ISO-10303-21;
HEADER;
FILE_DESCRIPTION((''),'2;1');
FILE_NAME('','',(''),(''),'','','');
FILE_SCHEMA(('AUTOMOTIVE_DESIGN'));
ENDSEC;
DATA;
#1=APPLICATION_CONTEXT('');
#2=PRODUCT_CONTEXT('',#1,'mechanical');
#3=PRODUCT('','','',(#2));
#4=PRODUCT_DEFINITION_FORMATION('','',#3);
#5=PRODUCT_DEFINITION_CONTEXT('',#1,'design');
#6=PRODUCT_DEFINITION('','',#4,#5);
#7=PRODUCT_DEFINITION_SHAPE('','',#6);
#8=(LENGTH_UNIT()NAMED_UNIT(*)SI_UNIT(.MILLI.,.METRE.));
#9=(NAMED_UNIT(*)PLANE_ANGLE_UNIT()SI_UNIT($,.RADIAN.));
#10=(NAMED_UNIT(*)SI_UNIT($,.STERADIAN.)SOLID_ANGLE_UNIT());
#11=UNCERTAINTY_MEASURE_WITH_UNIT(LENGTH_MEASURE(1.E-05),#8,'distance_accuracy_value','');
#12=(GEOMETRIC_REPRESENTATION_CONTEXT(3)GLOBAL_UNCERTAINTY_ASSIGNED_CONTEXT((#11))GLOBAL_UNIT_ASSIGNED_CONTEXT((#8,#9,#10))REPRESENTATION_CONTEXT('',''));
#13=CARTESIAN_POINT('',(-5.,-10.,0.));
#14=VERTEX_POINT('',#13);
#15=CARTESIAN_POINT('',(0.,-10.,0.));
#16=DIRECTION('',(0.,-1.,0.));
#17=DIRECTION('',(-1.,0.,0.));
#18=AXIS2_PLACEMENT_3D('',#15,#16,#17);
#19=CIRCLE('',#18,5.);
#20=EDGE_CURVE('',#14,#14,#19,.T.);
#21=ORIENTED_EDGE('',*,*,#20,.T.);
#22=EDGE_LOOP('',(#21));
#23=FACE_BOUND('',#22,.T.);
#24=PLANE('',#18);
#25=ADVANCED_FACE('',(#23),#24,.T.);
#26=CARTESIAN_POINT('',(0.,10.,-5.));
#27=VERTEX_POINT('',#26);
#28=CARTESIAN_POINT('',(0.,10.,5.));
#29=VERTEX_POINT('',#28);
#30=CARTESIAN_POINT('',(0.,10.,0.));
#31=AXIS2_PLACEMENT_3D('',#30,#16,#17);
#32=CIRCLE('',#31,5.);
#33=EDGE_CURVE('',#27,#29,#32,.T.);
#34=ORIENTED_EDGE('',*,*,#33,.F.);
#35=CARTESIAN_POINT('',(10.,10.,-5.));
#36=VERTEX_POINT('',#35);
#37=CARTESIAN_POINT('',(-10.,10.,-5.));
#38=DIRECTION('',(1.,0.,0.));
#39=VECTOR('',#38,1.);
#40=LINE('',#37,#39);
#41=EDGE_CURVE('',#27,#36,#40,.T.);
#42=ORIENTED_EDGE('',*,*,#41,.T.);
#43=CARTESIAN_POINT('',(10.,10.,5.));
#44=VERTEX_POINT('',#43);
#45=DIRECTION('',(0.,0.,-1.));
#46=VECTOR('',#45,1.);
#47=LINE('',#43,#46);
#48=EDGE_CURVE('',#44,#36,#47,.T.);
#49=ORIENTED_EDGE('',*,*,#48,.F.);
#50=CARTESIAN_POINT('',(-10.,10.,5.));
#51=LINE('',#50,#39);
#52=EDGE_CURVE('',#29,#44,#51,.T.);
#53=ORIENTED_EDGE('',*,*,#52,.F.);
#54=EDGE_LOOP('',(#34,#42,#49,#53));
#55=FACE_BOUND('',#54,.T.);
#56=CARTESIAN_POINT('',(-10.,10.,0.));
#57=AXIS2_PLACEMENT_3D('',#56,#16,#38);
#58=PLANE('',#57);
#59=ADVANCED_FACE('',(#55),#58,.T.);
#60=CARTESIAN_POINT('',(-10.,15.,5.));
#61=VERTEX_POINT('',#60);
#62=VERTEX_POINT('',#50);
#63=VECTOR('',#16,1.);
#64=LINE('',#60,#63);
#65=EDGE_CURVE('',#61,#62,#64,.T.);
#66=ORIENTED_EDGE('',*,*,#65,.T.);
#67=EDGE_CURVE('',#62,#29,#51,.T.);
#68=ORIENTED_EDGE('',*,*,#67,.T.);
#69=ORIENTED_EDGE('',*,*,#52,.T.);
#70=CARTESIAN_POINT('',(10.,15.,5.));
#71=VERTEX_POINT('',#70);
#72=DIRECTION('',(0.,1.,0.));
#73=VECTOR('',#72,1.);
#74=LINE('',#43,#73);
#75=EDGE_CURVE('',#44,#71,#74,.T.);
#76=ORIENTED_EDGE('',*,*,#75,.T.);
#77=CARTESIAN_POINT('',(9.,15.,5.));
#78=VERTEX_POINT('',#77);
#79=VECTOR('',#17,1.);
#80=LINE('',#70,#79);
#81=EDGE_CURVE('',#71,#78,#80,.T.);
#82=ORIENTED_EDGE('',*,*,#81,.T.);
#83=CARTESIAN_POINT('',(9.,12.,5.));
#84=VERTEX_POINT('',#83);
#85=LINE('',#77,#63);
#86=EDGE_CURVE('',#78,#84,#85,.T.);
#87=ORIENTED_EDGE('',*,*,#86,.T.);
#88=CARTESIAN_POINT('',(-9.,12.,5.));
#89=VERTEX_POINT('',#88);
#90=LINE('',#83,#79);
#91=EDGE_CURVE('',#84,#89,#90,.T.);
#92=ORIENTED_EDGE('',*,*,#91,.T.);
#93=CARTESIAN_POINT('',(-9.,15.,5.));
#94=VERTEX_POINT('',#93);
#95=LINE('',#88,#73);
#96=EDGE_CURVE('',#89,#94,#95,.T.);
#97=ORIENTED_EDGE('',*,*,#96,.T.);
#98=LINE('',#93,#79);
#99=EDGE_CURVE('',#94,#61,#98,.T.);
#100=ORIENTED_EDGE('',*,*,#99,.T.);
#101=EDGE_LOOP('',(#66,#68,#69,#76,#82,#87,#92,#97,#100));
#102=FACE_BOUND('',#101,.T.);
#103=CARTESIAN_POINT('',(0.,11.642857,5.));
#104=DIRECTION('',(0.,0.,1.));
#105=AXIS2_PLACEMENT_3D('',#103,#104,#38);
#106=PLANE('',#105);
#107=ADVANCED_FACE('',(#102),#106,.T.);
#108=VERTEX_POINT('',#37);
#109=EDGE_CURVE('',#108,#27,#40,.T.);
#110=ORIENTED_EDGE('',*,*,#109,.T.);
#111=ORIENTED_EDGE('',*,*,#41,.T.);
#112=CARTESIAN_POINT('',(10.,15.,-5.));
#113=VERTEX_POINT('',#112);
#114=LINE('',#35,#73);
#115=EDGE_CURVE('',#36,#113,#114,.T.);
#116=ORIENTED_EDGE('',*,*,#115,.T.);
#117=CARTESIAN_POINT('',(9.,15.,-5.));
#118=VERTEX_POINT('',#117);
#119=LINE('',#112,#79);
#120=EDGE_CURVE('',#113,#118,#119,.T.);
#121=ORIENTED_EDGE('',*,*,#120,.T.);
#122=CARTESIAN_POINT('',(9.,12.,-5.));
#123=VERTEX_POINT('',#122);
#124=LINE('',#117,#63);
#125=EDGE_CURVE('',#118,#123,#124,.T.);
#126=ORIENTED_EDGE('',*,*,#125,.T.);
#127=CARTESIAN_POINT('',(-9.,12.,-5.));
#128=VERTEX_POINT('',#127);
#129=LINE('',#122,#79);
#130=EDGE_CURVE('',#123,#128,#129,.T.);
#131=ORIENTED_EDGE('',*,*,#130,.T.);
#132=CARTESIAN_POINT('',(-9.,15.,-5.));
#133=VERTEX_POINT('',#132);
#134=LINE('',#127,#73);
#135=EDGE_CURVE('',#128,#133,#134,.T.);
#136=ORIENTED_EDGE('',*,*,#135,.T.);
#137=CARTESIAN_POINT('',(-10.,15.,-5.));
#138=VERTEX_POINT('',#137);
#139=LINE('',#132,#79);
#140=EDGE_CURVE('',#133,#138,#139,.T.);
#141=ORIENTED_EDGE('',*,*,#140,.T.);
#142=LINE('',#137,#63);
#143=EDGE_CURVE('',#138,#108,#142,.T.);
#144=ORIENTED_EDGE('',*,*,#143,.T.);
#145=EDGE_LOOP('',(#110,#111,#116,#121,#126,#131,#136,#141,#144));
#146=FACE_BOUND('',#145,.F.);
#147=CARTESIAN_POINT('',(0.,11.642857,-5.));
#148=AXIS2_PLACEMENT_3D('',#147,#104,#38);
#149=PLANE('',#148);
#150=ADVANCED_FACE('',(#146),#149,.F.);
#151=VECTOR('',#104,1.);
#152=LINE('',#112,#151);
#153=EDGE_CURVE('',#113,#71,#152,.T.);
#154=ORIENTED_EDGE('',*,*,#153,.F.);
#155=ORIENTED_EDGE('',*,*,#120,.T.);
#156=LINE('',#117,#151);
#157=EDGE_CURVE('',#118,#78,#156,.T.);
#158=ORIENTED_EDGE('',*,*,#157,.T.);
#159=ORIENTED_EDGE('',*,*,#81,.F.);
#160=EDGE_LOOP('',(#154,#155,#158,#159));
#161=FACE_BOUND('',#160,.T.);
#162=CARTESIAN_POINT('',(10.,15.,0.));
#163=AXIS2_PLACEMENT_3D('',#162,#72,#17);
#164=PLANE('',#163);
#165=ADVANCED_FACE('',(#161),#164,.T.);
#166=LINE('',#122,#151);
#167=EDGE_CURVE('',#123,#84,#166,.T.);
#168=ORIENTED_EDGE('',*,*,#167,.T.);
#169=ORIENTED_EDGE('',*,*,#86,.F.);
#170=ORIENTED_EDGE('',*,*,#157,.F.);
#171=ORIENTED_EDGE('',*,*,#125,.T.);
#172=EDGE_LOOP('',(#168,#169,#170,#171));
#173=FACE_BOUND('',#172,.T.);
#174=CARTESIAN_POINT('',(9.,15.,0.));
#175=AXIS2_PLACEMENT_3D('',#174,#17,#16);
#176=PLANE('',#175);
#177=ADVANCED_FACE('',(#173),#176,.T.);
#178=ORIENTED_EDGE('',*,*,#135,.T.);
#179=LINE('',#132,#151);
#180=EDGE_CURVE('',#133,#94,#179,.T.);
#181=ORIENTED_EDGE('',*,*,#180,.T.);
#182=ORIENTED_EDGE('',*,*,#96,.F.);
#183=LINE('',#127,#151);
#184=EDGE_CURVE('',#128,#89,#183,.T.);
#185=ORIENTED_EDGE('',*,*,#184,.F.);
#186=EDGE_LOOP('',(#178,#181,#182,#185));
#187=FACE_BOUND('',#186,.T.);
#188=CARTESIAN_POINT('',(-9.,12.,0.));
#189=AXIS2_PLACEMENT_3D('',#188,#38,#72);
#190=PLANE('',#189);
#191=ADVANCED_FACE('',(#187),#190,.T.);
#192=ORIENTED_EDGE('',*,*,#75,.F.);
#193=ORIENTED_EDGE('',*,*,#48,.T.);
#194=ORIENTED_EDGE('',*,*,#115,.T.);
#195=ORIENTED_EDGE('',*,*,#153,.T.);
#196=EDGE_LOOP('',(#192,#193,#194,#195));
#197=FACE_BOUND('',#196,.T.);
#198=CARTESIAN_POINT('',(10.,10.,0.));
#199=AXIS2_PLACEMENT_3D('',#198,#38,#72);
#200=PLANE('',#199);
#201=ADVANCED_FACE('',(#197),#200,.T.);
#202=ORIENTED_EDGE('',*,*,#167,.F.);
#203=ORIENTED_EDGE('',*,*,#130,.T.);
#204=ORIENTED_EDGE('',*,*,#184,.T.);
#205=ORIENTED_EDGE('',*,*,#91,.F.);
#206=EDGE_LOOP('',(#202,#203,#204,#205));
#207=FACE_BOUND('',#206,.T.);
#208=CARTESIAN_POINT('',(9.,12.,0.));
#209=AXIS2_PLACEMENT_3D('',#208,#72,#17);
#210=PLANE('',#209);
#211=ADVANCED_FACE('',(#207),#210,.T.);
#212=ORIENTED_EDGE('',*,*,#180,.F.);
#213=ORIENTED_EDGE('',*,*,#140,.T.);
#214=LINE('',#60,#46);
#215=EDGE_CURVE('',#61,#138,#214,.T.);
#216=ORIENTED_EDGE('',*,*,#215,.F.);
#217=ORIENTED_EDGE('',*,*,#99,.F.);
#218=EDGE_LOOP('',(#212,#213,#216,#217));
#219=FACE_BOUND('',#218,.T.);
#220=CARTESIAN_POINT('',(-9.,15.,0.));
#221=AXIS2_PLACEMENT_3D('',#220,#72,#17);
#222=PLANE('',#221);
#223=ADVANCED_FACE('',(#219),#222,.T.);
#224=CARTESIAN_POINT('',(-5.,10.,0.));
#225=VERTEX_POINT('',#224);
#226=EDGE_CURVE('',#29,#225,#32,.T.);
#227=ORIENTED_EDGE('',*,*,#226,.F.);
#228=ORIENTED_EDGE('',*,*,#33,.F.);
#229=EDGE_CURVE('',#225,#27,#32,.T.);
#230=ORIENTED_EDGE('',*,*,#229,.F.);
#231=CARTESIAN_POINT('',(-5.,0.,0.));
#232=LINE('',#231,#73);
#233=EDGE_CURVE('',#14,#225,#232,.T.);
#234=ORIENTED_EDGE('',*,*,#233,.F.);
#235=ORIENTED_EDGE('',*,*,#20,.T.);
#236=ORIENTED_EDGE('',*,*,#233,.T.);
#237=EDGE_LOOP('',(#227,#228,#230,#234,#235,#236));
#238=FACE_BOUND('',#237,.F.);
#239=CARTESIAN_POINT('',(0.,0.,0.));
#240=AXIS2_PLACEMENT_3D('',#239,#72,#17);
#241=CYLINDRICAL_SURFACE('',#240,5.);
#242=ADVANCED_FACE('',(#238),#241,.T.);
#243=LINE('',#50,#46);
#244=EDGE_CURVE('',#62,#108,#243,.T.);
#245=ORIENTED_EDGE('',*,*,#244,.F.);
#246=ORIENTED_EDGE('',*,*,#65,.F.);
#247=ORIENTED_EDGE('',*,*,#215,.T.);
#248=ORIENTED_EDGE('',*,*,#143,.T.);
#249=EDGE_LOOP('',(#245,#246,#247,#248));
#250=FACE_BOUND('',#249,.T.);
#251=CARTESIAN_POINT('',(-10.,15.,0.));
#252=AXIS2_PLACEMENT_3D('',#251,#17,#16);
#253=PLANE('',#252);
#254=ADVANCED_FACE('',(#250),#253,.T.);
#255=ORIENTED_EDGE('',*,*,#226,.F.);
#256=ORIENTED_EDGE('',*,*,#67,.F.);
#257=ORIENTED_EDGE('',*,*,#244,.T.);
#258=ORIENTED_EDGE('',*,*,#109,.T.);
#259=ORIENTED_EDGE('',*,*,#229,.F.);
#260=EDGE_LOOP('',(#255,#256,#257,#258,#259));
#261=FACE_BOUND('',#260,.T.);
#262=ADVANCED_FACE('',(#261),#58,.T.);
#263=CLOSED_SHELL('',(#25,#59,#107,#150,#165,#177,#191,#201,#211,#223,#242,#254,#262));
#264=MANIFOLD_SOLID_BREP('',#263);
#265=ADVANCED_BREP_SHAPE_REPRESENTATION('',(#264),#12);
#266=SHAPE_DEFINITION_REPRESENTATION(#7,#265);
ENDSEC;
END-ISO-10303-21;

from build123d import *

# Parameters (mm, degrees)
F1_DEPTH = 5
F0_W     = 5
F0_H     = 20


with BuildPart() as f1:
    # F0 (on Top) → F1 (new body, symmetric)
    with BuildSketch(Plane.XY):
        Polygon((0, 10), (5, 10), (10, 10), (10, 15), (9, 15), (9, 12), (-9, 12), (-9, 15), (-10, 15), (-10, 10), (-5, 10), align=None)
    extrude(amount=F1_DEPTH, both=True)

    # F0 (on Top) → F2 (revolve)
    with BuildSketch(Plane.XY):
        with Locations((-2.5, 0)):
            Rectangle(F0_W, F0_H)
    revolve(axis=Axis((0, 0, 0), (0, -1, 0)))


solid = f1.part
